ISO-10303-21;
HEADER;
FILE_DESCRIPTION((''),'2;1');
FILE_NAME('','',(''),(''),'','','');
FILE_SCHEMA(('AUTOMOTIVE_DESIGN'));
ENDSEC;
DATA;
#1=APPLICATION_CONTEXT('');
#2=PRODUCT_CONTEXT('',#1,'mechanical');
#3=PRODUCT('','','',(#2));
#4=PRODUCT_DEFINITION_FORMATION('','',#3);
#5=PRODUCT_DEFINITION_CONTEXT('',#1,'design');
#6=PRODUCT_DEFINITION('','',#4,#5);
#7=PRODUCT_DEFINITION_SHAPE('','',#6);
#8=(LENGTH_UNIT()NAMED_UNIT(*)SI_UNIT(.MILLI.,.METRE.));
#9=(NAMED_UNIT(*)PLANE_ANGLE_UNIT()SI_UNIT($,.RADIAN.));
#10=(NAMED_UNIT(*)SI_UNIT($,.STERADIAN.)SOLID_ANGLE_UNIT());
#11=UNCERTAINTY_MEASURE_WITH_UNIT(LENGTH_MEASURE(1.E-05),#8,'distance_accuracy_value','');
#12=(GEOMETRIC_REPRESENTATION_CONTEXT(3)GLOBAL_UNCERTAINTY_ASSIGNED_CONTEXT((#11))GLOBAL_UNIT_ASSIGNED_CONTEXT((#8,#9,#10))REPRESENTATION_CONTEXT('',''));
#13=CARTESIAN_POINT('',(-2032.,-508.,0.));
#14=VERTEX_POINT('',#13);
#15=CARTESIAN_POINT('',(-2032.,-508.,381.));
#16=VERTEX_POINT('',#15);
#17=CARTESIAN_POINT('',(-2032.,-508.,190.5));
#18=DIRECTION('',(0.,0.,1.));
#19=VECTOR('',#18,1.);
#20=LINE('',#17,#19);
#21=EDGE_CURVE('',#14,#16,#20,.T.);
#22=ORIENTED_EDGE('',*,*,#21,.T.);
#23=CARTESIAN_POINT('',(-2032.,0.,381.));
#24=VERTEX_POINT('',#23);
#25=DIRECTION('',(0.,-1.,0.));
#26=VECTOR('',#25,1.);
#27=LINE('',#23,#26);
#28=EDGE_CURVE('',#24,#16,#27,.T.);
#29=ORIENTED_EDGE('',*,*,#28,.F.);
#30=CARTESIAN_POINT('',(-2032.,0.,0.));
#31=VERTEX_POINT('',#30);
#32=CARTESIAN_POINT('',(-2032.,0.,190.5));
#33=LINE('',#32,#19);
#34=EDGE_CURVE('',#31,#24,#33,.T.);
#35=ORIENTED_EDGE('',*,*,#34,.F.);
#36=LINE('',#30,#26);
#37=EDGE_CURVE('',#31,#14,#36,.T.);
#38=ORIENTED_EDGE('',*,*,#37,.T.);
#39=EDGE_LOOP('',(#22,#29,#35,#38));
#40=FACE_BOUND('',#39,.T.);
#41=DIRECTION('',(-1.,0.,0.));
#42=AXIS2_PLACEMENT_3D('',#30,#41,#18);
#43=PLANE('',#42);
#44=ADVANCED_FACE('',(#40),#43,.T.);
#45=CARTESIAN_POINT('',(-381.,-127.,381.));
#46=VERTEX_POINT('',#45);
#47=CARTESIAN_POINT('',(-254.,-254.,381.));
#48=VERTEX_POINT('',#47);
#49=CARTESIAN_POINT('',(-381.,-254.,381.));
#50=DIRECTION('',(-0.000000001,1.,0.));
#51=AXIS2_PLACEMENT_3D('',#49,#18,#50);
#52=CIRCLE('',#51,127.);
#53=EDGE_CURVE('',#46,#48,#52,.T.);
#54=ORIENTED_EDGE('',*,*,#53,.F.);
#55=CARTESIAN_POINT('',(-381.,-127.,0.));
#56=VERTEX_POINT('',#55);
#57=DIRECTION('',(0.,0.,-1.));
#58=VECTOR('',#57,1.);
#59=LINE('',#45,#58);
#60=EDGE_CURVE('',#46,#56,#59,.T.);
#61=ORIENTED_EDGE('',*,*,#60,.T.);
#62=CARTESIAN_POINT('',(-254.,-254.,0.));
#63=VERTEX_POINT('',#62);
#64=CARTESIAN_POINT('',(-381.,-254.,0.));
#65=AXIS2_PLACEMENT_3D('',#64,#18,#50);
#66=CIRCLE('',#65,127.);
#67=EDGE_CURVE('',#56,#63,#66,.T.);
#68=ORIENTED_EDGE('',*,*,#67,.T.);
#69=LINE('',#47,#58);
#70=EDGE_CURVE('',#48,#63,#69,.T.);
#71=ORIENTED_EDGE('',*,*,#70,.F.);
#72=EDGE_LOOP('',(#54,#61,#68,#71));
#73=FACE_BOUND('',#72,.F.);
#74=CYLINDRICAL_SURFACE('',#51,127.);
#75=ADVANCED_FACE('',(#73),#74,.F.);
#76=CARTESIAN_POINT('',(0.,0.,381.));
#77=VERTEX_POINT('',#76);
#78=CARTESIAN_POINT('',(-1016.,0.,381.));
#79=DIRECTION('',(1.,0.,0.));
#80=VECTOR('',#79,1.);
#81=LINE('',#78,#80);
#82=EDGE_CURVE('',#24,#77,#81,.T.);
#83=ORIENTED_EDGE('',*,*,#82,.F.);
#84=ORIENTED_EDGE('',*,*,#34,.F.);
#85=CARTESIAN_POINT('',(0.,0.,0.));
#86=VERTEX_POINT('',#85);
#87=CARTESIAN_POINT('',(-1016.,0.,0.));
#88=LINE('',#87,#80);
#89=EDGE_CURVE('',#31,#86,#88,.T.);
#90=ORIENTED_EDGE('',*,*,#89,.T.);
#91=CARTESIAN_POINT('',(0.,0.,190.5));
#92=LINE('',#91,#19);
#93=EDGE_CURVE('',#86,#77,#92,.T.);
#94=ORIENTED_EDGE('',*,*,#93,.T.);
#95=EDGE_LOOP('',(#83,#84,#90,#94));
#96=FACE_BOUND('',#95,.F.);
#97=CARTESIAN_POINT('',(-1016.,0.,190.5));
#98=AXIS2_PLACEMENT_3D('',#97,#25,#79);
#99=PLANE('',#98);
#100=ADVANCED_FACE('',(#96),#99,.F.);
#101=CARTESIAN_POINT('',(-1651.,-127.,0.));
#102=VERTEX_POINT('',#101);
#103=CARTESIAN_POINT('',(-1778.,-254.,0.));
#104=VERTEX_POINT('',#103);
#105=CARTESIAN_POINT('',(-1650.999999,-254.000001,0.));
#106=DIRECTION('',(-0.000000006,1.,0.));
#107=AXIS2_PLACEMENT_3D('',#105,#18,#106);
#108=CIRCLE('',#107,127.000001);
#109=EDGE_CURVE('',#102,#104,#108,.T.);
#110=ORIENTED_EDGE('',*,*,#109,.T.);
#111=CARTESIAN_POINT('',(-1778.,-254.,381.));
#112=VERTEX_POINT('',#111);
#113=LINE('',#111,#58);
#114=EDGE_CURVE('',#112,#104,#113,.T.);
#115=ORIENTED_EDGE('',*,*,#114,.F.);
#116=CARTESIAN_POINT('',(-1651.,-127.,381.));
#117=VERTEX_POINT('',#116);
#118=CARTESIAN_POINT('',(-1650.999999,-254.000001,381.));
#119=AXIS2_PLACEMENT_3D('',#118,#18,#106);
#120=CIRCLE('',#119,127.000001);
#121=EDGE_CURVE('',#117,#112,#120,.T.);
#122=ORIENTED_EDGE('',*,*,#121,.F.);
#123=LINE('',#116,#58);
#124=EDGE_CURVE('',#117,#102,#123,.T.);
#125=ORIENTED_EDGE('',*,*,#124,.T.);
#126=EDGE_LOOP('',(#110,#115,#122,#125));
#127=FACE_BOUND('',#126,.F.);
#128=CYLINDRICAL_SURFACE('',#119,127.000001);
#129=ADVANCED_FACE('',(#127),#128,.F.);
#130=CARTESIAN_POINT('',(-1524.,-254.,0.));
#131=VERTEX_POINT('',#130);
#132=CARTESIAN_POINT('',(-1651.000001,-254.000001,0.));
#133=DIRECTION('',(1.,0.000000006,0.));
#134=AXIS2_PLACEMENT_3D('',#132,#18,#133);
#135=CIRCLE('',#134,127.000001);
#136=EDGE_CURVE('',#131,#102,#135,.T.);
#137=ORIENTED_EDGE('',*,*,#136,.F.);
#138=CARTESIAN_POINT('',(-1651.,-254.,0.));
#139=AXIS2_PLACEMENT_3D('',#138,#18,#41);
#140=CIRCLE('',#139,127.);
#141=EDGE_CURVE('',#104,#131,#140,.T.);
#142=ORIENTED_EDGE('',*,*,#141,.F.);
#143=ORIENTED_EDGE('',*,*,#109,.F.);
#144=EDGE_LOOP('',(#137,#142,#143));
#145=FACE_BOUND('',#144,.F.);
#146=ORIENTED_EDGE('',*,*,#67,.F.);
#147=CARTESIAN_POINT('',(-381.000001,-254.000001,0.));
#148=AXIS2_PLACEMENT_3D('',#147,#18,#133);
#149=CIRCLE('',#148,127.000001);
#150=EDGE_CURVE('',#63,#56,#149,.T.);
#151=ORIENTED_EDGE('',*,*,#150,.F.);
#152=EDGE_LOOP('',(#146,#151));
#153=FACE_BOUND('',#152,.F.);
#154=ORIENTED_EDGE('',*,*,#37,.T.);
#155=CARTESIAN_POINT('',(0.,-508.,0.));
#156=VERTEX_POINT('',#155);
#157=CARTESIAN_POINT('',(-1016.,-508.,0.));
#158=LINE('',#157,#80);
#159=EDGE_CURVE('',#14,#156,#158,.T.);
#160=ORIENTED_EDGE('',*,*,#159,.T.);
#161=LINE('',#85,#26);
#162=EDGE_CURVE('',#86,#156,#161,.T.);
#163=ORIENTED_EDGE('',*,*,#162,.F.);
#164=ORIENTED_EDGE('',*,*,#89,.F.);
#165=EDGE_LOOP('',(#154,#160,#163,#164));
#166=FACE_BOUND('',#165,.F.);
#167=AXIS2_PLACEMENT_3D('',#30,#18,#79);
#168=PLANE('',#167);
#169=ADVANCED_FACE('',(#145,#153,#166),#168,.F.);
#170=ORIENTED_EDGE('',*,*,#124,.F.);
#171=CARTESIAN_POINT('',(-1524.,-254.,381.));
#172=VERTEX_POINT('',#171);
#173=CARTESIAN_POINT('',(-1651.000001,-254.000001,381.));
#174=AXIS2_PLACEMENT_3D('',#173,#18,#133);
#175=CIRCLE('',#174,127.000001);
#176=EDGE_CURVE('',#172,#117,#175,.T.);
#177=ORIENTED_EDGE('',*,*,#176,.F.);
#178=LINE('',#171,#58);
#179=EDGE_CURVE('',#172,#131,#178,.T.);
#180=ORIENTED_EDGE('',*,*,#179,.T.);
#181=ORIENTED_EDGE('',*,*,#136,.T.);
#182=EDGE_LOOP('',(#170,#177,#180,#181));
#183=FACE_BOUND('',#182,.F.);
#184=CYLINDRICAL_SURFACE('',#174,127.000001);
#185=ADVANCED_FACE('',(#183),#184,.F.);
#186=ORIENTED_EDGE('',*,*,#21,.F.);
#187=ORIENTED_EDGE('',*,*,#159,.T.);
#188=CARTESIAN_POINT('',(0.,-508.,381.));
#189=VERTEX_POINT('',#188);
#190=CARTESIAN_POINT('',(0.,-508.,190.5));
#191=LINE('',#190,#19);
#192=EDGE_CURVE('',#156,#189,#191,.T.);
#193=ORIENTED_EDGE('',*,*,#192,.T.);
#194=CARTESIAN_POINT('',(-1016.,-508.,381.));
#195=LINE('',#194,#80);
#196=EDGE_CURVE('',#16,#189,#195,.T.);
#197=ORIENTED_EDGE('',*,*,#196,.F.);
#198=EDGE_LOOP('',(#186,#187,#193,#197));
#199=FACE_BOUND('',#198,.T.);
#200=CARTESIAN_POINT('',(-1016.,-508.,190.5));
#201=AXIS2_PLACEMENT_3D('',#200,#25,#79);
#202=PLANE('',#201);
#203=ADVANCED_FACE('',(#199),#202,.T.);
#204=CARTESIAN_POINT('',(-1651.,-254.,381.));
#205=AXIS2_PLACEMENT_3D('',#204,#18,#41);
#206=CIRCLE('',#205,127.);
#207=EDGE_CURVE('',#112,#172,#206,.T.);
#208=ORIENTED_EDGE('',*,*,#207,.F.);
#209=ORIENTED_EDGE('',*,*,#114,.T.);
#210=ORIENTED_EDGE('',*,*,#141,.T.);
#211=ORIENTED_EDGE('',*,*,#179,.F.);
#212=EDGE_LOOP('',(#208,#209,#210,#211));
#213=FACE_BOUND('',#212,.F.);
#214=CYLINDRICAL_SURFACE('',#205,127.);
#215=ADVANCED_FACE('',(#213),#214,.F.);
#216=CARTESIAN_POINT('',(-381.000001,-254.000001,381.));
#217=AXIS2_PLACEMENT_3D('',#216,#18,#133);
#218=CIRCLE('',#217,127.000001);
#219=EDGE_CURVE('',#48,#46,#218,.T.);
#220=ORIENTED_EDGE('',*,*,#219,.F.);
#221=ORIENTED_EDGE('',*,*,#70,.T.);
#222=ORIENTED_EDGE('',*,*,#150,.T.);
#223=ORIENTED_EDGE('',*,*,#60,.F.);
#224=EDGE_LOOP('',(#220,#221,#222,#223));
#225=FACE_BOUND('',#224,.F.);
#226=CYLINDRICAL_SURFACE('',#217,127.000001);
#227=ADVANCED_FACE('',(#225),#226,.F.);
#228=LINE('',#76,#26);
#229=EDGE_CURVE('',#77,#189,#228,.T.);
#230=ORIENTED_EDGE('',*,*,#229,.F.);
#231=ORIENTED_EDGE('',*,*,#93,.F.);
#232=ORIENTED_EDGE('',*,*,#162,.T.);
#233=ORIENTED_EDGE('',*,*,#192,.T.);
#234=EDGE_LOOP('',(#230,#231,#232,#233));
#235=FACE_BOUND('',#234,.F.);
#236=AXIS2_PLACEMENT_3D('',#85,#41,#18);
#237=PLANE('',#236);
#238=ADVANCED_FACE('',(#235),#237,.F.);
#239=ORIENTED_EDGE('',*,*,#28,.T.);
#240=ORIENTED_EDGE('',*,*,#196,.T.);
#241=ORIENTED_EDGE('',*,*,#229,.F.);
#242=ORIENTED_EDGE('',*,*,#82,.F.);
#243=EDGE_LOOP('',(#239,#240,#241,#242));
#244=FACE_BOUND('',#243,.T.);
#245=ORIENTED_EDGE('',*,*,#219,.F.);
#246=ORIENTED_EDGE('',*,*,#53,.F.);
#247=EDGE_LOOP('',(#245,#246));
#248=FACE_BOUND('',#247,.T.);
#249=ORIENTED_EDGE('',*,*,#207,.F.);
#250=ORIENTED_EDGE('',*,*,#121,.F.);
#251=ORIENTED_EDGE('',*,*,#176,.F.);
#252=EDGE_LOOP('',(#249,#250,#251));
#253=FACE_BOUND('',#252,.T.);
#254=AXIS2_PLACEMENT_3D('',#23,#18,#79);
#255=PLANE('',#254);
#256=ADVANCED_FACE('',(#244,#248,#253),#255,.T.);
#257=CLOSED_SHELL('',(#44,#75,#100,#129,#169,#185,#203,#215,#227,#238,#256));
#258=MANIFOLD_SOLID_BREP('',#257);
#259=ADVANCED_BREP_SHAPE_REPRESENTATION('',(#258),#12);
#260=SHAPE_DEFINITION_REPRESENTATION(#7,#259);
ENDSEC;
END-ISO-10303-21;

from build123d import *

# Parameters (mm, degrees)
F0_W     = 2032
F0_H     = 381
F1_DEPTH = 508
F3_DEPTH = 508


with BuildPart() as f1:
    # F0 (on Front) → F1 (new body)
    with BuildSketch(Plane.XZ):
        with Locations((-1016, 190.5)):
            Rectangle(F0_W, F0_H)
    extrude(amount=F1_DEPTH)

    # F2 (on face) → F3 (cut)
    with BuildSketch(Plane.XY.offset(381)):
        with BuildLine():
            ThreePointArc((-1524, -254), (-1561.197439, -164.197439), (-1651, -127))
            Line((-1651, -127), (-1651, -254))
            Line((-1651, -254), (-1778, -254))
            ThreePointArc((-1778, -254), (-1651, -381), (-1524, -254))
        make_face()
        with BuildLine():
            Line((-1651, -254), (-1651, -127))
            ThreePointArc((-1651, -127), (-1740.802561, -164.197439), (-1778, -254))
            Line((-1778, -254), (-1651, -254))
        make_face()
        with BuildLine():
            ThreePointArc((-254, -254), (-291.197439, -164.197439), (-381, -127))
            Line((-381, -127), (-381, -254))
            Line((-381, -254), (-254, -254))
        make_face()
        with BuildLine():
            Line((-381, -254), (-381, -127))
            ThreePointArc((-381, -127), (-470.802561, -343.802561), (-254, -254))
            Line((-254, -254), (-381, -254))
        make_face()
    extrude(amount=-F3_DEPTH, mode=Mode.SUBTRACT)


solid = f1.part
